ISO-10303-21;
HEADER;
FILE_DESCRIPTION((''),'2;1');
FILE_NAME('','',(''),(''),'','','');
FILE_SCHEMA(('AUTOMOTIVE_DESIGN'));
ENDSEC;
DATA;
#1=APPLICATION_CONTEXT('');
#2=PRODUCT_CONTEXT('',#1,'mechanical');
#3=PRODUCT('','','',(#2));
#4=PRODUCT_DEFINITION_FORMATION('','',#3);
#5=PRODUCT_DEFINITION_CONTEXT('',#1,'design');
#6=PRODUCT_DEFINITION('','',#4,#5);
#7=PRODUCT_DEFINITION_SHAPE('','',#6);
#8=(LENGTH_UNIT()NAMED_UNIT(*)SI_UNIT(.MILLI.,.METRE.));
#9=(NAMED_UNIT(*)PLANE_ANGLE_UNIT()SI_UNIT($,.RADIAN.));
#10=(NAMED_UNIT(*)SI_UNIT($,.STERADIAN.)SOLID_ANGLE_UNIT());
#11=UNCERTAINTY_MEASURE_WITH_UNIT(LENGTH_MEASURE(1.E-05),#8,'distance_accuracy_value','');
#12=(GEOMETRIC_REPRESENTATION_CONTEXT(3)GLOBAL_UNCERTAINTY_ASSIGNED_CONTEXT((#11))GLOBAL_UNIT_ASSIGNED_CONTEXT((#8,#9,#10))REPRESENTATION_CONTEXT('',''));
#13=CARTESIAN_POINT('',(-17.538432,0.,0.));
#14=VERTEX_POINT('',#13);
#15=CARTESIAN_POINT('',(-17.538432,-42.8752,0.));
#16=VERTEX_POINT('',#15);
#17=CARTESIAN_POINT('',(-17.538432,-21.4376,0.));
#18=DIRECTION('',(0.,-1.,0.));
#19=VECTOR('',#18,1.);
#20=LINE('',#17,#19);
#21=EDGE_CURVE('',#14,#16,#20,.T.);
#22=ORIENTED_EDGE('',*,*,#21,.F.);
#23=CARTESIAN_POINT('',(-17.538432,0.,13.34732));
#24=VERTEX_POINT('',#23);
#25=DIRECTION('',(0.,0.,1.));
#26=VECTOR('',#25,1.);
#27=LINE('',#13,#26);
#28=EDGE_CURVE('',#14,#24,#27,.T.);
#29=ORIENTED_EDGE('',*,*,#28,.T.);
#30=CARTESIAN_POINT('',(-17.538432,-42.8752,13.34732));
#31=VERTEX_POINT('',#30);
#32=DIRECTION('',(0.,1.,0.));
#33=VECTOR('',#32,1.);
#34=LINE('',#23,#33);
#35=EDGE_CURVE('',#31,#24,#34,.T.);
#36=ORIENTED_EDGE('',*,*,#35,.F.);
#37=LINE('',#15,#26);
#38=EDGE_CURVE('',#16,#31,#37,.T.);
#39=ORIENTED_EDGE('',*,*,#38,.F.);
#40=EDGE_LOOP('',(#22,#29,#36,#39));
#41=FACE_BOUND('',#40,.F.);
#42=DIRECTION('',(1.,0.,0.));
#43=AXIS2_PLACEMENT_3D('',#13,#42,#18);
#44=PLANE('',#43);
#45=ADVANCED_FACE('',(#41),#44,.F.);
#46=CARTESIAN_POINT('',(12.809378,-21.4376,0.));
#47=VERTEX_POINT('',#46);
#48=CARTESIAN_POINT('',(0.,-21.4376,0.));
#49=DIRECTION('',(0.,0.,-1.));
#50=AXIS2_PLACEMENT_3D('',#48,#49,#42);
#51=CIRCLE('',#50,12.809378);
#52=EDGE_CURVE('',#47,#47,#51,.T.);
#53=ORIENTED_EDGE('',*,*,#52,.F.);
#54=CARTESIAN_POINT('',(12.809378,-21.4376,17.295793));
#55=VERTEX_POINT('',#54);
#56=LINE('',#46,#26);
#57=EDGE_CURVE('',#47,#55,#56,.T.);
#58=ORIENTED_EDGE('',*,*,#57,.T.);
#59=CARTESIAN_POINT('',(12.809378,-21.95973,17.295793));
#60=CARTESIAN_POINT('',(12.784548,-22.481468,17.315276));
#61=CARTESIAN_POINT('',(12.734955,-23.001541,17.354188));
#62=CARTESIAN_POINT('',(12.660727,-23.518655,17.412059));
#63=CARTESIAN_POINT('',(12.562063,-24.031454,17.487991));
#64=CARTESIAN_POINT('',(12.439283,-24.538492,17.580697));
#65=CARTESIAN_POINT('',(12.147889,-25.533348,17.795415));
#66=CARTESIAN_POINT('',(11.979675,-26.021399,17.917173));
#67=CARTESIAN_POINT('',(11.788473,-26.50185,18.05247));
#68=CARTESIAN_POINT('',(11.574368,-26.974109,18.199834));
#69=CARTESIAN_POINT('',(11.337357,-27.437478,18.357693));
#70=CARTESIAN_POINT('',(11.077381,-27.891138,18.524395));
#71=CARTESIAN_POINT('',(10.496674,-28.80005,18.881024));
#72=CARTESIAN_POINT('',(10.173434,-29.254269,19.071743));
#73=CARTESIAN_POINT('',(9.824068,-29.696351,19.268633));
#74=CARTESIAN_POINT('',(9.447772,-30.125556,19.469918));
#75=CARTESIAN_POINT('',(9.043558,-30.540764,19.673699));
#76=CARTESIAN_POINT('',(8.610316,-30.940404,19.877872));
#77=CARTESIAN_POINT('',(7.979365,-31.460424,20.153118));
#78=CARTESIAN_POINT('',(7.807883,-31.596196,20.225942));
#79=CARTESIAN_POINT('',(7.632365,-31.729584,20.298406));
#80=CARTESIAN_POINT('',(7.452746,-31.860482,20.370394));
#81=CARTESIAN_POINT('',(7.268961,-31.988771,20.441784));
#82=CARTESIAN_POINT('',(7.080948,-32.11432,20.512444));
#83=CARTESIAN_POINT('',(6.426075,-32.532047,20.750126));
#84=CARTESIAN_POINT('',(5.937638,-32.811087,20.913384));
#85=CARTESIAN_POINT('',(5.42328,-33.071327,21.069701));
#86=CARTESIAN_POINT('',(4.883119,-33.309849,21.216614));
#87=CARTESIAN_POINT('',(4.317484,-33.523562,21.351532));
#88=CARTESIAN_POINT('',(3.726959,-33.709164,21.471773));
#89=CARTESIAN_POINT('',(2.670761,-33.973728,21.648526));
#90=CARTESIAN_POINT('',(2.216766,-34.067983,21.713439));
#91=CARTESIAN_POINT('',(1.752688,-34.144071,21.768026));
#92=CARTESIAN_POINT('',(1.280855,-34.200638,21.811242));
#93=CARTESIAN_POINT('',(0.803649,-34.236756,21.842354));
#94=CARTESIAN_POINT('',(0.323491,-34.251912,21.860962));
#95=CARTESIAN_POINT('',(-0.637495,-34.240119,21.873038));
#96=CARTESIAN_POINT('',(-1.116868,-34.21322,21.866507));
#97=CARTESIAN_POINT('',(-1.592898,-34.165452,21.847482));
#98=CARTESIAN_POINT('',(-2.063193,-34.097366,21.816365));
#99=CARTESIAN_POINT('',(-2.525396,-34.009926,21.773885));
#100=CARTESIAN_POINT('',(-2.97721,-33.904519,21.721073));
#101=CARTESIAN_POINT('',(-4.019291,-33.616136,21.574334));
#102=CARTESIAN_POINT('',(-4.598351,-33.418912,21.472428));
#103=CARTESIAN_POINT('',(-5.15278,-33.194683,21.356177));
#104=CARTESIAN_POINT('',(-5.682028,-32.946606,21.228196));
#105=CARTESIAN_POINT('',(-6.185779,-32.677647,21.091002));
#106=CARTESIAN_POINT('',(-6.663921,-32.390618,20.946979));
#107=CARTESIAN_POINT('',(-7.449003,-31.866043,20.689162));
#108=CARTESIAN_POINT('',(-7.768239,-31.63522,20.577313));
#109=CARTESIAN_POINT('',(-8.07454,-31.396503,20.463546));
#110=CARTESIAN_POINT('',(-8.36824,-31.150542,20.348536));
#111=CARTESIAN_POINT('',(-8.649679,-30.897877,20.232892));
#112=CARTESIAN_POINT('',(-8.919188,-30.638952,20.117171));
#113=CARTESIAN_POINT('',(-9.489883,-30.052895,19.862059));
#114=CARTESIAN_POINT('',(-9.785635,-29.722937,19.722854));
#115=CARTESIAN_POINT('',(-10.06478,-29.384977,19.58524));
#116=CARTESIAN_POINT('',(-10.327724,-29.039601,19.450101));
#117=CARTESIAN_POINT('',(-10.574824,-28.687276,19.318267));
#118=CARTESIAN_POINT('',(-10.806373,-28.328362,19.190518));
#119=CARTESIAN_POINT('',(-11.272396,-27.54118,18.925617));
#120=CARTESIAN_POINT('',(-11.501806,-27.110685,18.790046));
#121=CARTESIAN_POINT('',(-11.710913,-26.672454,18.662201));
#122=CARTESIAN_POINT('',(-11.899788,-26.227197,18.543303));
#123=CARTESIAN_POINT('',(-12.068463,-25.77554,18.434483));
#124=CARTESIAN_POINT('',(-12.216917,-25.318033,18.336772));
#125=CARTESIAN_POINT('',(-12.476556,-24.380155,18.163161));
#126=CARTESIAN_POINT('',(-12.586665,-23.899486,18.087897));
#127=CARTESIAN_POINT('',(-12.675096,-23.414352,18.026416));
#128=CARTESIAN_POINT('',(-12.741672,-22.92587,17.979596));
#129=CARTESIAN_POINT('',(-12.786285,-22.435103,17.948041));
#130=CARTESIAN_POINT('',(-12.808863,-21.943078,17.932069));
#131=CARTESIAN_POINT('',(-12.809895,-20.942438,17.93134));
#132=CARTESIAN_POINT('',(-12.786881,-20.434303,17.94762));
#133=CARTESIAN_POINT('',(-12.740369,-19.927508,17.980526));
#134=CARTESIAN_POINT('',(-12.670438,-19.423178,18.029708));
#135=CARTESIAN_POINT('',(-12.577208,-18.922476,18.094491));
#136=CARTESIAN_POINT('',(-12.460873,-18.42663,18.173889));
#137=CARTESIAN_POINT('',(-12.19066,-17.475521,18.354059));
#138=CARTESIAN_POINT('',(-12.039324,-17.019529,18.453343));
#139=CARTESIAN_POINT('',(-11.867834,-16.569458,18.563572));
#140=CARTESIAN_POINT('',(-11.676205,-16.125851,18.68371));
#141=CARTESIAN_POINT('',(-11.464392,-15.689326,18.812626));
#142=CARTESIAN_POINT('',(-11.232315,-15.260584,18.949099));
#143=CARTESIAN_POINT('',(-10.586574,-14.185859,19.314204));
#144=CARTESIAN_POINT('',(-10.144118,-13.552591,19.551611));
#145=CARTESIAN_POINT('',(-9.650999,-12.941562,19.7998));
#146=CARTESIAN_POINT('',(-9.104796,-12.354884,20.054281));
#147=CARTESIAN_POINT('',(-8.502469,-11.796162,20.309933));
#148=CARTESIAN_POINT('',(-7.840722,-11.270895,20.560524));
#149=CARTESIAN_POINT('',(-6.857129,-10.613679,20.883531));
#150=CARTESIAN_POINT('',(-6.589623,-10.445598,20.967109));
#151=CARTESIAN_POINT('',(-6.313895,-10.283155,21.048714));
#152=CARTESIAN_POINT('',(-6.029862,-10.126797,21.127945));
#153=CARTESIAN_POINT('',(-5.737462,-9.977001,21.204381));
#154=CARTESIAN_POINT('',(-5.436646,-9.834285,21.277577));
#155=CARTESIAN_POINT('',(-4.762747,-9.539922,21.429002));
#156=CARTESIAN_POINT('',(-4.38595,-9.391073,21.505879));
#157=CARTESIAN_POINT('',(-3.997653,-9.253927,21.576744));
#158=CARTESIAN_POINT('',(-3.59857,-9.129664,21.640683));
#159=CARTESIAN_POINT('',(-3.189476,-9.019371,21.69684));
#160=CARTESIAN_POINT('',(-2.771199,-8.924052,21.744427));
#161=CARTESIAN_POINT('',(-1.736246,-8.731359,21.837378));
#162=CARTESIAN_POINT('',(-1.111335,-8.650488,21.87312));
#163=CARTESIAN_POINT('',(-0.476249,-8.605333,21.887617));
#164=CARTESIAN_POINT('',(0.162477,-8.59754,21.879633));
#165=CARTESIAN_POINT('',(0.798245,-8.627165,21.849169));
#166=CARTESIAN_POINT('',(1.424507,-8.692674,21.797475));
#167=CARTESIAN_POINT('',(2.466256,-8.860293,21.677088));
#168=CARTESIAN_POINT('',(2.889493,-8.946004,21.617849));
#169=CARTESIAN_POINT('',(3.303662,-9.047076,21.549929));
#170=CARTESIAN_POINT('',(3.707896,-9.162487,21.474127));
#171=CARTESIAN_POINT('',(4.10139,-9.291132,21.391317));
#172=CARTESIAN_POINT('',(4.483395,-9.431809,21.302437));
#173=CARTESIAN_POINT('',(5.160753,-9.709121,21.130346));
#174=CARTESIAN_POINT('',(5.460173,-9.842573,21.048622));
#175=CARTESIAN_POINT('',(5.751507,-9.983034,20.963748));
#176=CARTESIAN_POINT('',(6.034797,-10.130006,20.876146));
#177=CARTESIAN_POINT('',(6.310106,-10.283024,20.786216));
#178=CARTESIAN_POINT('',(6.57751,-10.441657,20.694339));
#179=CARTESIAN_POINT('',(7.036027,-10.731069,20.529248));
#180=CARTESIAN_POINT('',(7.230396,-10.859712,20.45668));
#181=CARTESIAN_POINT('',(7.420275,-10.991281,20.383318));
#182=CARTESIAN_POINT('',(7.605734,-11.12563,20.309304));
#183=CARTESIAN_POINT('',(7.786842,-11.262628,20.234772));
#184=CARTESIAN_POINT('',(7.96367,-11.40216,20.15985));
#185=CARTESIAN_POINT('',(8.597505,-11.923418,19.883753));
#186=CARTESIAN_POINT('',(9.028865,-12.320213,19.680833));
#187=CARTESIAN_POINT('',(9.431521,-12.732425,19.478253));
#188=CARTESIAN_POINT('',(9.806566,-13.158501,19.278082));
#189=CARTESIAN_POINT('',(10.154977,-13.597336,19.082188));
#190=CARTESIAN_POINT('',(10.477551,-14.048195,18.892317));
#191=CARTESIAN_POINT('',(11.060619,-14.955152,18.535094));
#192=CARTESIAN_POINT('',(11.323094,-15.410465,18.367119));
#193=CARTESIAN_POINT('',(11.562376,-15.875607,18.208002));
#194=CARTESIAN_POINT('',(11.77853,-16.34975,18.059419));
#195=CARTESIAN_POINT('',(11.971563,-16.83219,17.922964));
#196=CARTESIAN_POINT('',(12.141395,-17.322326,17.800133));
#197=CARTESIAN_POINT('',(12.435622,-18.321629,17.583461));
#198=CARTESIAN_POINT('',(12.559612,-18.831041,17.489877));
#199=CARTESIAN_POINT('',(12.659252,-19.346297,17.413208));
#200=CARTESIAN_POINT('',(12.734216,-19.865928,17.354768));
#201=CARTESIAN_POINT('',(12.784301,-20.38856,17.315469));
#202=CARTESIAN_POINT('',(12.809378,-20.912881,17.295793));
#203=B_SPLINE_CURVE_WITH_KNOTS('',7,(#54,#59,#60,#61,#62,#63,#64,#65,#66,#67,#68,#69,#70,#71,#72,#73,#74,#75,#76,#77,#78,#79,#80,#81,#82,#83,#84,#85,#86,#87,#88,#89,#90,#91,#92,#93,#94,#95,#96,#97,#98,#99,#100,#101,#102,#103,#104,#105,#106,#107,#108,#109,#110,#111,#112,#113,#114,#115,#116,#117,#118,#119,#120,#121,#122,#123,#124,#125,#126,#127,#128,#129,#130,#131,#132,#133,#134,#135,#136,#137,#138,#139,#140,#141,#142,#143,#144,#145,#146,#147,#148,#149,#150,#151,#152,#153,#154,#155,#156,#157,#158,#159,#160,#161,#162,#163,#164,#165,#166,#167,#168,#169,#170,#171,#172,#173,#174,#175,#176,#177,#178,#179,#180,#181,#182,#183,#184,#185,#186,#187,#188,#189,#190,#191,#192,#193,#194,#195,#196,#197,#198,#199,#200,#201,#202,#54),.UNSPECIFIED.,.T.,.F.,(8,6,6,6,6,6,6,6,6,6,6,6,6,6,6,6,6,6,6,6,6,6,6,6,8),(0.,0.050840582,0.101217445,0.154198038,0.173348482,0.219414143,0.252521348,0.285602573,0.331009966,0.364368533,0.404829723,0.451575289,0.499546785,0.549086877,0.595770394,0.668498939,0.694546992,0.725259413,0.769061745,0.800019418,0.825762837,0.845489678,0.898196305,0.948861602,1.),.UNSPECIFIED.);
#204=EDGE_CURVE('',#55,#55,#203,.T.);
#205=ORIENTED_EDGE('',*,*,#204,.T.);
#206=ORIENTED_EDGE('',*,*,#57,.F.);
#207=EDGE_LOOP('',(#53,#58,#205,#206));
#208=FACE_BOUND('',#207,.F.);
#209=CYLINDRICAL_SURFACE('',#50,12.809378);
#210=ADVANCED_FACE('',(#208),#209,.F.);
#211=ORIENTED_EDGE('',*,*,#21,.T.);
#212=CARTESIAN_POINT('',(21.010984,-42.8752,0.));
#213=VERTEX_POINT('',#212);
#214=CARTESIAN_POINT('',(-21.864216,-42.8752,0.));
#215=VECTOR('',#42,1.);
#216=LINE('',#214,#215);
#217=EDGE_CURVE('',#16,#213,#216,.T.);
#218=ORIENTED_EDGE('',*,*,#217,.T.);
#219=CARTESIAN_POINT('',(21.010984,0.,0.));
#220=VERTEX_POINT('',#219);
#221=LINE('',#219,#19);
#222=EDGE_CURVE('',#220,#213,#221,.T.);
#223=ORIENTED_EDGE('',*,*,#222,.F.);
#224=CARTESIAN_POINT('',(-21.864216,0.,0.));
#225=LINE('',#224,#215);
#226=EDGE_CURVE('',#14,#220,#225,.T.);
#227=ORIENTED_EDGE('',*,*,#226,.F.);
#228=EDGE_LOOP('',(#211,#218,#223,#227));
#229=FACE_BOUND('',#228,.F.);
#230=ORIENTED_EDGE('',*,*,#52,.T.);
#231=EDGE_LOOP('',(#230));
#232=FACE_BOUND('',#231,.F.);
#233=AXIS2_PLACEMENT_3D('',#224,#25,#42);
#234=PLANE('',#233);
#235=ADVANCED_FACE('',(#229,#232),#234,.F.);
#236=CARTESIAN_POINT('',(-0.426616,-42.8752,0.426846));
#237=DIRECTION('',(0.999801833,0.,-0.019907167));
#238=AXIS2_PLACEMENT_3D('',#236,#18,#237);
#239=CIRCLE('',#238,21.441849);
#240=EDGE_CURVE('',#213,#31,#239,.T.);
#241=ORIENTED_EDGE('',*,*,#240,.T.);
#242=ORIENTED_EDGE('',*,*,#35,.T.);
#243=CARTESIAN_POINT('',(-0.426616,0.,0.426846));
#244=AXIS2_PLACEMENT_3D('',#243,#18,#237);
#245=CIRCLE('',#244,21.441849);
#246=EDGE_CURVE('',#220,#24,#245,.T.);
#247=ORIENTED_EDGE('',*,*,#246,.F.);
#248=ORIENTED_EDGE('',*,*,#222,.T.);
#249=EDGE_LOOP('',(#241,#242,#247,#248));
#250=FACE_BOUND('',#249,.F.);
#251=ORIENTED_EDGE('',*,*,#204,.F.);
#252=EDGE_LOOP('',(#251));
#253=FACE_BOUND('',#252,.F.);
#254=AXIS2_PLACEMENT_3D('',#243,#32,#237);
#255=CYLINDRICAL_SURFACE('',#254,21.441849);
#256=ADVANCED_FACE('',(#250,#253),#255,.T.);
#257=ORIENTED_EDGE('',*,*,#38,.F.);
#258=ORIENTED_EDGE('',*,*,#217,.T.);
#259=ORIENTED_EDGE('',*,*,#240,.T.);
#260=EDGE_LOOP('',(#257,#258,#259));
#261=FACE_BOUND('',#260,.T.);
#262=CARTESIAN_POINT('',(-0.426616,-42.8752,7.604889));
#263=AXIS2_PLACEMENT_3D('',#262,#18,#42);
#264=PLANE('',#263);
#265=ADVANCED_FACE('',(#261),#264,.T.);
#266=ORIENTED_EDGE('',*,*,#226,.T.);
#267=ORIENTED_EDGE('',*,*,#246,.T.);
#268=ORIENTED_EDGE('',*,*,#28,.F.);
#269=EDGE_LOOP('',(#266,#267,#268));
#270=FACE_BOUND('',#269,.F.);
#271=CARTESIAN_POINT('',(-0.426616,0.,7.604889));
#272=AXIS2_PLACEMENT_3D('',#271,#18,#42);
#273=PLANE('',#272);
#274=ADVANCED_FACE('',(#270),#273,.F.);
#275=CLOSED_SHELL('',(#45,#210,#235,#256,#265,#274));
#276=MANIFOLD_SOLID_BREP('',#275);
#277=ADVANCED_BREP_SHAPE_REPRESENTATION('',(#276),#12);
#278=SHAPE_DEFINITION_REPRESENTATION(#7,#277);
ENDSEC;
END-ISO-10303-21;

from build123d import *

# Parameters (mm, degrees)
F1_DEPTH = 42.8752
F2_R     = 12.8093778024
F3_DEPTH = 25.4
F4_W     = 4.3257835782
F4_H     = 42.8752
F5_DEPTH = 25.4
F6_W     = 42.8752
F6_H     = 0.8536929434
F7_DEPTH = 25.4


with BuildPart() as f1:
    # F0 (on Front) → F1 (new body)
    with BuildSketch(Plane.XZ):
        with BuildLine():
            ThreePointArc((21.01098439, 0), (-0.42661561, 21.8686955447), (-21.86421561, 0))
            Line((-21.86421561, 0), (21.01098439, 0))
        make_face()
    extrude(amount=F1_DEPTH)

    # F2 (on face) → F3 (cut)
    with BuildSketch(Plane(origin=(0, 0, 0), x_dir=(1, 0, 0), z_dir=(0, 0, -1))):
        with Locations((0, 21.4376)):
            Circle(F2_R)
    extrude(amount=-F3_DEPTH, mode=Mode.SUBTRACT)

    # F4 (on face) → F5 (cut)
    with BuildSketch(Plane(origin=(0, 0, 0), x_dir=(1, 0, 0), z_dir=(0, 0, -1))):
        with Locations((-19.7013238209, 21.4376)):
            Rectangle(F4_W, F4_H)
    extrude(amount=-F5_DEPTH, mode=Mode.SUBTRACT)

    # F6 (on face) → F7 (cut)
    with BuildSketch(Plane.YZ.offset(-21.86421561)):
        with Locations((-21.4376, 0.4268464717)):
            Rectangle(F6_W, F6_H)
    extrude(amount=-F7_DEPTH, mode=Mode.SUBTRACT)


solid = f1.part
